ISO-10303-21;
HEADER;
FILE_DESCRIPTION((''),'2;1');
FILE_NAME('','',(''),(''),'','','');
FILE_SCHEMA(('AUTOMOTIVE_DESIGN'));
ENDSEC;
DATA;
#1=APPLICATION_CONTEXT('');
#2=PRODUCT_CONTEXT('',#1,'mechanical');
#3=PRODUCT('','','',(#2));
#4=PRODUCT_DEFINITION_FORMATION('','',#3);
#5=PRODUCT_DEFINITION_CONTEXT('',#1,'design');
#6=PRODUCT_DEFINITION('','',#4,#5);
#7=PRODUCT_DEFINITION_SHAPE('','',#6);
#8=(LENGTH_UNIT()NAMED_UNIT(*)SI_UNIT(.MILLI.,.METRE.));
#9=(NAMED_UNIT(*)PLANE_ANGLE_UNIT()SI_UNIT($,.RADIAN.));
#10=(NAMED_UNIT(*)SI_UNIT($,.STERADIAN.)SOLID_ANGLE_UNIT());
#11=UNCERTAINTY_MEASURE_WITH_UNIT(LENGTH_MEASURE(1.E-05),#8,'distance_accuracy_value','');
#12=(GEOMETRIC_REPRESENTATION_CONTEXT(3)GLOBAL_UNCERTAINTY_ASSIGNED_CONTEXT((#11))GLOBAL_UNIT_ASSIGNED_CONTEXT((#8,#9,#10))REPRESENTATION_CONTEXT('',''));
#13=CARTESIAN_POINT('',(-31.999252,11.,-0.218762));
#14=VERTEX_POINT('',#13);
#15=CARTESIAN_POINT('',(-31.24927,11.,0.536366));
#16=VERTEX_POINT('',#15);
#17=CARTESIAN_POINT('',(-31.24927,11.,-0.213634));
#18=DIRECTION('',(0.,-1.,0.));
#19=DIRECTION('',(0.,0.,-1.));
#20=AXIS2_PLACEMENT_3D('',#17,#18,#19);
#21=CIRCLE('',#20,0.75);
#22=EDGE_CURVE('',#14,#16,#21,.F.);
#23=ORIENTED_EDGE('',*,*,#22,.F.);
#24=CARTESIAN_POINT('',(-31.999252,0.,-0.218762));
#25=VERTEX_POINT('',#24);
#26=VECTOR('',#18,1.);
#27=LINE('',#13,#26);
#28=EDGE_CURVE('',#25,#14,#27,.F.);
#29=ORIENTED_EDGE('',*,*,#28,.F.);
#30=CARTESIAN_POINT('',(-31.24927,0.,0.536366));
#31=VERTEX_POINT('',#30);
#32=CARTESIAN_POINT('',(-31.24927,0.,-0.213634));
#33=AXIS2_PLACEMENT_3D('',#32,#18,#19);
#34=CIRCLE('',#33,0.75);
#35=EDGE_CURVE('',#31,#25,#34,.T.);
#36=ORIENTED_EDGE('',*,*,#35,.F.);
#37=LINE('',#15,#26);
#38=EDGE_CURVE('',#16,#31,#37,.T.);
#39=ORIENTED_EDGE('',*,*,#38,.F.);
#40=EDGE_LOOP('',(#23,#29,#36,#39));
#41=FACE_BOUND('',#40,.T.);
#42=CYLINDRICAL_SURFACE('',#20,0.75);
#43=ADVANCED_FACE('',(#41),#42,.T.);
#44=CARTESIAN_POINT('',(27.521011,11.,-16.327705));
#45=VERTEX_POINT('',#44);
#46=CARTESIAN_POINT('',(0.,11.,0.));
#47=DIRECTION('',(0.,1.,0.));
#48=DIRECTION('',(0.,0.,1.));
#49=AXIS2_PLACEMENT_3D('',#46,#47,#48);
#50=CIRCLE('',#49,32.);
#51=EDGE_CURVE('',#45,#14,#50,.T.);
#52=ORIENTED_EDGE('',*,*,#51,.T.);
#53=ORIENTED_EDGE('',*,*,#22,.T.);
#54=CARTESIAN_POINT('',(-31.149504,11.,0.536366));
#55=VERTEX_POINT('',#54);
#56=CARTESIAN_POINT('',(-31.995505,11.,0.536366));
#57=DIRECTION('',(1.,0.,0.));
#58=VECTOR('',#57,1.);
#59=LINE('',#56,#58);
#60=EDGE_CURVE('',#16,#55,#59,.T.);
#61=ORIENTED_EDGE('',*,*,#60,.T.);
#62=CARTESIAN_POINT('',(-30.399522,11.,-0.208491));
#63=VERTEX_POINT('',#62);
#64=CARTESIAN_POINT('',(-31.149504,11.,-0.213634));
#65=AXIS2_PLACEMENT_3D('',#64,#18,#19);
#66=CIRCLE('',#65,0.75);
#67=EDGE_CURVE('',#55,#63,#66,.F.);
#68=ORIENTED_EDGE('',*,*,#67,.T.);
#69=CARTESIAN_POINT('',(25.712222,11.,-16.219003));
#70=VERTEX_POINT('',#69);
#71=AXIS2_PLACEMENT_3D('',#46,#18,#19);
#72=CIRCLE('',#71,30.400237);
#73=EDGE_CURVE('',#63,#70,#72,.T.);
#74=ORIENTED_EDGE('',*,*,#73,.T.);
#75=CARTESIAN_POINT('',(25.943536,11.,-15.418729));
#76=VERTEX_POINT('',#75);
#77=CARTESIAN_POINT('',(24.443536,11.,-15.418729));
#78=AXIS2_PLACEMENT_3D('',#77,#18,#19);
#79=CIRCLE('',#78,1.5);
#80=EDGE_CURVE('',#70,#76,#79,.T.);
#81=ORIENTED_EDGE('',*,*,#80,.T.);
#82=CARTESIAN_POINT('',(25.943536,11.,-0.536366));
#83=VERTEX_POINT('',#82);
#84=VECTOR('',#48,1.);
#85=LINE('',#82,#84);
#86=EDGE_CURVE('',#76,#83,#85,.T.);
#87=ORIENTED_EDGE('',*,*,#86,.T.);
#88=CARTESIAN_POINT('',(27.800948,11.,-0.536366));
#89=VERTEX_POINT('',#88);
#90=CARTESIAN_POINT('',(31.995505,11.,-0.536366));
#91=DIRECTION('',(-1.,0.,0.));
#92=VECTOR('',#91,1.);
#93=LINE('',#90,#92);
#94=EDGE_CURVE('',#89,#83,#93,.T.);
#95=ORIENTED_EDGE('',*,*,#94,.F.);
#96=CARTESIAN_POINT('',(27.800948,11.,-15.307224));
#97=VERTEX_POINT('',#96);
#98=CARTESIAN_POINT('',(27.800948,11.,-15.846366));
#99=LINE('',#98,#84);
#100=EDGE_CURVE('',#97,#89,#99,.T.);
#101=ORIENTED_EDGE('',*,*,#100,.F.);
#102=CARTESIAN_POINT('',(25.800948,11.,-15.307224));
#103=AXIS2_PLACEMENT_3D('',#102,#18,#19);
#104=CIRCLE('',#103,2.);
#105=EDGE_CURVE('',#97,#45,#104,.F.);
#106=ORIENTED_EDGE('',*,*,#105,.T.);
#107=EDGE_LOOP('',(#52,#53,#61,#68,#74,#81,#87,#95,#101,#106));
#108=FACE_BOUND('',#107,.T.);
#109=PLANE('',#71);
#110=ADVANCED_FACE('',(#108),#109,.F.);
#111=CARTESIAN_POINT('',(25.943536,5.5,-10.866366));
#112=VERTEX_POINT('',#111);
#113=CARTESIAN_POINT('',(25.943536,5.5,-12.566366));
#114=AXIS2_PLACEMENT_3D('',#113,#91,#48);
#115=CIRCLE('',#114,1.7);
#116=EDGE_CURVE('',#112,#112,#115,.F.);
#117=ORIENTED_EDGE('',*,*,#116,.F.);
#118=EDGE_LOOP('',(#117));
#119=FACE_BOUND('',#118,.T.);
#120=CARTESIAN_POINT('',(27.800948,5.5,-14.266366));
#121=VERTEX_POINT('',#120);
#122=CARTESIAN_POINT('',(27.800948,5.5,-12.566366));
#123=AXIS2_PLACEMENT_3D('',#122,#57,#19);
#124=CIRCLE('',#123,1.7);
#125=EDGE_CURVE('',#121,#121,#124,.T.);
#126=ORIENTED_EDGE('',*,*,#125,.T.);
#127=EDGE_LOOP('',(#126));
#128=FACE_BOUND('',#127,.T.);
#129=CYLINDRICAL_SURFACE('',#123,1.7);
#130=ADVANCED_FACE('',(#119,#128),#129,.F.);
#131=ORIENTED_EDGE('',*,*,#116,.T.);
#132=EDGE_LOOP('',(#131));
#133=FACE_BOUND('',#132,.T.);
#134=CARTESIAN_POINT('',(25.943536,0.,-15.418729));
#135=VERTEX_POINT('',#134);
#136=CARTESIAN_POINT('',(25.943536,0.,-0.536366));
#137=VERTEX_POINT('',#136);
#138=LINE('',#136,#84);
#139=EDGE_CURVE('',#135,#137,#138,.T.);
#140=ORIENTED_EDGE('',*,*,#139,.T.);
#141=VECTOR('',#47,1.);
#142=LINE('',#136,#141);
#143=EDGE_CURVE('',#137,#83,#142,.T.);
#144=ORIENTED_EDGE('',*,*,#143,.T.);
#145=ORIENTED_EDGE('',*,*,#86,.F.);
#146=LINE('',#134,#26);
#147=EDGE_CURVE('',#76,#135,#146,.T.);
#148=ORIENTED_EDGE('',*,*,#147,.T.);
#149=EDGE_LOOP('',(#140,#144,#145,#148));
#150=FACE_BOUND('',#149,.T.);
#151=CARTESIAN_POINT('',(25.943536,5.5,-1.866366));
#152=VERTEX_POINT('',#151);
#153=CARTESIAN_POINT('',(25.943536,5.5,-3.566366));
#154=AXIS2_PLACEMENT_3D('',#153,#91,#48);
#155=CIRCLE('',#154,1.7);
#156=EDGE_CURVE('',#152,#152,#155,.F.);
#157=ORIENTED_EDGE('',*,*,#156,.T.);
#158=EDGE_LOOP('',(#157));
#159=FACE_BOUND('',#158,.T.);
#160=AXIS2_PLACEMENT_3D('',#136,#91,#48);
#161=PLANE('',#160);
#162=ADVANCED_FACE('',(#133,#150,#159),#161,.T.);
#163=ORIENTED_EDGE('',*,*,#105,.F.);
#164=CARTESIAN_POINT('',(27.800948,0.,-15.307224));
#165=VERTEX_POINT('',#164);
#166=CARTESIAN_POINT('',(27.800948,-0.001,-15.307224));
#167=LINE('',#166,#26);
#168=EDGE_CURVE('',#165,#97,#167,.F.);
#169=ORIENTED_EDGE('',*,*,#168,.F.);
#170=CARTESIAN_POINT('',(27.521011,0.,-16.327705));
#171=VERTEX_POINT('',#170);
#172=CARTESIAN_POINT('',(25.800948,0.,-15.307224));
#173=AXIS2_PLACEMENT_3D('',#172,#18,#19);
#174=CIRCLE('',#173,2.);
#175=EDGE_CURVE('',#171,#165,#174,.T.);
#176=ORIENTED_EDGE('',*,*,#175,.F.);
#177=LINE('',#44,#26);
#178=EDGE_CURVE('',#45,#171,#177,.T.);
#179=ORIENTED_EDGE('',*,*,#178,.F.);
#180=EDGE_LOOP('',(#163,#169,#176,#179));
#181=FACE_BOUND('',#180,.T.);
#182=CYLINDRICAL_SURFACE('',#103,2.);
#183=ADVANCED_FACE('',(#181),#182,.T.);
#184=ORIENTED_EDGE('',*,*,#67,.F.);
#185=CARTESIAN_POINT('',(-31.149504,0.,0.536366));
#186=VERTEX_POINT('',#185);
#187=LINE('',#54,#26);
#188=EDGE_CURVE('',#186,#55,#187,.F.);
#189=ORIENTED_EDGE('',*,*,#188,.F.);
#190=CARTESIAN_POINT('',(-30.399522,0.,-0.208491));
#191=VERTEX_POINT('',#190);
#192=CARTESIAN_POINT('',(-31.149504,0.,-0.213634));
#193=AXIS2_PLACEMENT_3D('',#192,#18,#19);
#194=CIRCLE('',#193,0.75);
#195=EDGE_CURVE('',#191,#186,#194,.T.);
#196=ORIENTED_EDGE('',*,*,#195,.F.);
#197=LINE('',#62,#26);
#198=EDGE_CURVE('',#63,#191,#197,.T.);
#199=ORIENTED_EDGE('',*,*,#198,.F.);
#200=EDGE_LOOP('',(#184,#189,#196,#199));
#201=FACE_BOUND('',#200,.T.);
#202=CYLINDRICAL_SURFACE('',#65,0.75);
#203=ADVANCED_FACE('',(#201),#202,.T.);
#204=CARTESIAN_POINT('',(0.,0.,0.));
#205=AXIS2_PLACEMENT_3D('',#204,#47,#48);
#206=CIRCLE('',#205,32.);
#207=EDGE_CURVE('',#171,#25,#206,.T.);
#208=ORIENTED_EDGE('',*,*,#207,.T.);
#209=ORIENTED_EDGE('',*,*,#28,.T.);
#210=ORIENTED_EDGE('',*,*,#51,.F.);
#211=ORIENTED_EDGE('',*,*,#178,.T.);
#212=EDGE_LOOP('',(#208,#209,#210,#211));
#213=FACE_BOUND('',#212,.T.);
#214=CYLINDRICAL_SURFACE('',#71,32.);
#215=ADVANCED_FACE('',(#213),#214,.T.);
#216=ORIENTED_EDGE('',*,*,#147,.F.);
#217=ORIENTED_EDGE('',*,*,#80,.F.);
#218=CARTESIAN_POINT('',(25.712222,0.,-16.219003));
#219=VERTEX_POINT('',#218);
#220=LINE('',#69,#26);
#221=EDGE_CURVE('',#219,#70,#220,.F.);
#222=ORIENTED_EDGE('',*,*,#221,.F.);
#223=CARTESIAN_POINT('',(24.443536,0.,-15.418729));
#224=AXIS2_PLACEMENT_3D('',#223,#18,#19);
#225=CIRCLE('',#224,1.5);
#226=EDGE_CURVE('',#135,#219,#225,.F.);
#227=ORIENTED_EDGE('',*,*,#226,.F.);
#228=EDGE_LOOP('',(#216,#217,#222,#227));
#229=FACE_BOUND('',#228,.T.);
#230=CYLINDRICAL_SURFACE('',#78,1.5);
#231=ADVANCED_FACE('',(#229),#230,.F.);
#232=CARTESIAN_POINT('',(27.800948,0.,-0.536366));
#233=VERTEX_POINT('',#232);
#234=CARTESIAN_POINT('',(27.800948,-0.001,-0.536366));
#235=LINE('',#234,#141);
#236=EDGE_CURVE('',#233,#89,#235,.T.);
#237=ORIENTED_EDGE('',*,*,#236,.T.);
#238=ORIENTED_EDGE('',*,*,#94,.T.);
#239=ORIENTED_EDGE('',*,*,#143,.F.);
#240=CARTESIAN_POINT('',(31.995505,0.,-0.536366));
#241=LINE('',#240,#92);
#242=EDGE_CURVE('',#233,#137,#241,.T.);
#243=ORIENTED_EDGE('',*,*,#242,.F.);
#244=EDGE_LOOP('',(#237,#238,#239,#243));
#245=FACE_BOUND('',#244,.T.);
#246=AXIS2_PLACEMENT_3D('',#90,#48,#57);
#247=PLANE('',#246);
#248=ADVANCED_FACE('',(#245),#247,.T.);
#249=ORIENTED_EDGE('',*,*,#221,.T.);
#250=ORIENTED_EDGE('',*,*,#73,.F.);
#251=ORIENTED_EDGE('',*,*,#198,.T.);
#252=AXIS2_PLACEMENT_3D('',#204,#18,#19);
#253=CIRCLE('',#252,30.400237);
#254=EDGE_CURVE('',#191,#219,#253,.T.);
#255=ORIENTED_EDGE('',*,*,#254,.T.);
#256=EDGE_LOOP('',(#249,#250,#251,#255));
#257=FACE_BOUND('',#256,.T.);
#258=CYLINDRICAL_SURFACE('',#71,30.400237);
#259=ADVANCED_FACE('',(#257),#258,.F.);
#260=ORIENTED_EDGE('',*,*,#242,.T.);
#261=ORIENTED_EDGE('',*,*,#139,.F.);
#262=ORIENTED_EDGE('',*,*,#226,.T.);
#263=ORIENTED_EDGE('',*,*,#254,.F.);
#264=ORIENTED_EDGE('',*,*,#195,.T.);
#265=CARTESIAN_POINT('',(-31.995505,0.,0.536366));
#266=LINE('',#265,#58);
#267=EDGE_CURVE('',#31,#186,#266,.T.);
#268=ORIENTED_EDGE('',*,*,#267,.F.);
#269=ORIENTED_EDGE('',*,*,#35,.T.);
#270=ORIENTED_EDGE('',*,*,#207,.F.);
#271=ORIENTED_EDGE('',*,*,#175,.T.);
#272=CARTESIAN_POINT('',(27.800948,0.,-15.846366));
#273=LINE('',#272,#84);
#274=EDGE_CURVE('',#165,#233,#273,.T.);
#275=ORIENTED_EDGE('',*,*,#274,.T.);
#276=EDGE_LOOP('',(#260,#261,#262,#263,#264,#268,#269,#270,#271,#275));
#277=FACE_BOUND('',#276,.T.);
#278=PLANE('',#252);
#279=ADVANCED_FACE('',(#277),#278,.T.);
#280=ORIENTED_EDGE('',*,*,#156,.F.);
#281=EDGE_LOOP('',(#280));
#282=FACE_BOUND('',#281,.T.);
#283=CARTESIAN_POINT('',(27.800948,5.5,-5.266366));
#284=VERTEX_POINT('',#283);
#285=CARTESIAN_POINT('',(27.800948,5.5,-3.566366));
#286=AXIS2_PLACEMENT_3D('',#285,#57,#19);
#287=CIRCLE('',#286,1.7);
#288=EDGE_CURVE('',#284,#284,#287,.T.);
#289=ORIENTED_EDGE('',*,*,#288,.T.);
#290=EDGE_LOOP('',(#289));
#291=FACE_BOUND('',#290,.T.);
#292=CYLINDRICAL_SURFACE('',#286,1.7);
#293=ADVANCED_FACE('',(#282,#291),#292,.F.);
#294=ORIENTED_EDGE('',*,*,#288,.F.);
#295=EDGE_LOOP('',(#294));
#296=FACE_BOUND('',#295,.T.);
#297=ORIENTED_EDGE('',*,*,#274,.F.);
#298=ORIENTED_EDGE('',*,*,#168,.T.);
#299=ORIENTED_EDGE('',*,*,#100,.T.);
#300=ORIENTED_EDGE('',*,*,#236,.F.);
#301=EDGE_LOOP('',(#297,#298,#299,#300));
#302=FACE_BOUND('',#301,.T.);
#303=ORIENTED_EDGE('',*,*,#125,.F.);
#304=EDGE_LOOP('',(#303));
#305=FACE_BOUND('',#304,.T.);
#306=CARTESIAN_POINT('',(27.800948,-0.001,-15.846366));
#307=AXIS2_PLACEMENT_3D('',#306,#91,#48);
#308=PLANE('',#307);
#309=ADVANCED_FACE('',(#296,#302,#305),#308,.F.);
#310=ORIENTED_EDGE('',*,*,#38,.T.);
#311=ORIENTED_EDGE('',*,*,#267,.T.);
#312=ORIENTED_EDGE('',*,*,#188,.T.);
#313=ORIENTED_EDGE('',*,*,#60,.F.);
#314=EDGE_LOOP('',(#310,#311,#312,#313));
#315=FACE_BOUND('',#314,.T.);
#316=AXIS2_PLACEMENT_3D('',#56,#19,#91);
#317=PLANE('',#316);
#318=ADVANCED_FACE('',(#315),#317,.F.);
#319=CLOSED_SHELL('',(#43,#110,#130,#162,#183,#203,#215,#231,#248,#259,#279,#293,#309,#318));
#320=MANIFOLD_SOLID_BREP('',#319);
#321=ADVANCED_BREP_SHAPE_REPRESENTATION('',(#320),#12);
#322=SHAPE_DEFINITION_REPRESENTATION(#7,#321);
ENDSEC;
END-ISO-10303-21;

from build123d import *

# Parameters (mm, degrees)
BOSS_EXTRUDE1_DEPTH       = 11
SKETCH2_W                 = 6.051968164
SKETCH2_H                 = 15.31
BOSS_EXTRUDE2_DEPTH       = 11
FILLET2_R                 = 1.5
FILLET4_R                 = 0.75
CUT_EXTRUDE4_REACH        = 48.572
SKETCH5_W                 = 4.194556819
SKETCH5_H                 = 15.31
FILLET6_R                 = 2
M3_CLEARANCE_HOLE1_REACH  = 70.71
M3_CLEARANCE_HOLE1_BORE_R = 1.7


with BuildPart() as part:
    # Sketch1 → Boss-Extrude1 (new body)
    with BuildSketch(Plane(origin=(0, 0, 0), x_dir=(1, 0, 0), z_dir=(0, 1, 0))):
        with BuildLine():
            Line((-31.995504557, -0.536365667), (-30.395504557, -0.536365667))
            ThreePointArc((-30.395504557, -0.536365667), (-0.536365667, 30.395504557), (30.395504557, 0.536365667))
            Line((30.395504557, 0.536365667), (31.995504557, 0.536365667))
            ThreePointArc((31.995504557, 0.536365667), (-0.536365667, 31.995504557), (-31.995504557, -0.536365667))
        make_face()
    extrude(amount=BOSS_EXTRUDE1_DEPTH)

    # Sketch2 → Boss-Extrude2 (add, through all)
    with BuildSketch(Plane(origin=(0, 11, 0), x_dir=(1, 0, 0), z_dir=(0, 1, 0))):
        with Locations((28.969520475, 8.191365667)):
            Rectangle(SKETCH2_W, SKETCH2_H)
    extrude(amount=-BOSS_EXTRUDE2_DEPTH)

    # Fillet2
    fillet2_edges = [part.edges().sort_by_distance(p)[0] for p in [
        (25.943536393, 5.5, -15.846365667),
    ]]
    fillet(fillet2_edges, radius=FILLET2_R)

    # Fillet4
    fillet4_edges = [part.edges().sort_by_distance(p)[0] for p in [
        (-31.995504557, 5.5, 0.536365667),
        (-30.395504557, 5.5, 0.536365667),
    ]]
    fillet(fillet4_edges, radius=FILLET4_R)

    # Sketch5 → Cut-Extrude4 (cut, up to next)
    with BuildSketch(Plane(origin=(0, 11, 0), x_dir=(1, 0, 0), z_dir=(0, 1, 0)), mode=Mode.PRIVATE) as cut_extrude4_sk1:
        with Locations((29.898226148, 8.191365667)):
            Rectangle(SKETCH5_W, SKETCH5_H)
    cut_extrude4_tool1 = extrude(cut_extrude4_sk1.sketch, amount=-CUT_EXTRUDE4_REACH, mode=Mode.PRIVATE) & part.part
    add(cut_extrude4_tool1.solids().sort_by_distance((29.898226, 11, -8.191366))[0], mode=Mode.SUBTRACT)

    # Fillet6
    fillet6_edges = [part.edges().sort_by_distance(p)[0] for p in [
        (27.800947738, 5.5, -15.846365667),
    ]]
    fillet(fillet6_edges, radius=FILLET6_R)

    # M3 Clearance Hole1 bore → M3 Clearance Hole1 (cut, up to next)
    with BuildSketch(Plane(origin=(27.800947738, 0, 0), x_dir=(0, 0, -1), z_dir=(1, 0, 0)), mode=Mode.PRIVATE) as m3_clearance_hole1_sk1:
        with Locations((12.566365667, 5.5)):
            Circle(M3_CLEARANCE_HOLE1_BORE_R)
    m3_clearance_hole1_tool1 = extrude(m3_clearance_hole1_sk1.sketch, amount=-M3_CLEARANCE_HOLE1_REACH, mode=Mode.PRIVATE) & part.part
    # M3 Clearance Hole1 bore → M3 Clearance Hole1 (cut, up to next)
    with BuildSketch(Plane(origin=(27.800947738, 0, 0), x_dir=(0, 0, -1), z_dir=(1, 0, 0)), mode=Mode.PRIVATE) as m3_clearance_hole1_sk2:
        with Locations((3.566365667, 5.5)):
            Circle(M3_CLEARANCE_HOLE1_BORE_R)
    m3_clearance_hole1_tool2 = extrude(m3_clearance_hole1_sk2.sketch, amount=-M3_CLEARANCE_HOLE1_REACH, mode=Mode.PRIVATE) & part.part
    add(m3_clearance_hole1_tool1.solids().sort_by_distance((27.800948, 5.5, -12.566366))[0], mode=Mode.SUBTRACT)
    add(m3_clearance_hole1_tool2.solids().sort_by_distance((27.800948, 5.5, -3.566366))[0], mode=Mode.SUBTRACT)


solid = part.part
